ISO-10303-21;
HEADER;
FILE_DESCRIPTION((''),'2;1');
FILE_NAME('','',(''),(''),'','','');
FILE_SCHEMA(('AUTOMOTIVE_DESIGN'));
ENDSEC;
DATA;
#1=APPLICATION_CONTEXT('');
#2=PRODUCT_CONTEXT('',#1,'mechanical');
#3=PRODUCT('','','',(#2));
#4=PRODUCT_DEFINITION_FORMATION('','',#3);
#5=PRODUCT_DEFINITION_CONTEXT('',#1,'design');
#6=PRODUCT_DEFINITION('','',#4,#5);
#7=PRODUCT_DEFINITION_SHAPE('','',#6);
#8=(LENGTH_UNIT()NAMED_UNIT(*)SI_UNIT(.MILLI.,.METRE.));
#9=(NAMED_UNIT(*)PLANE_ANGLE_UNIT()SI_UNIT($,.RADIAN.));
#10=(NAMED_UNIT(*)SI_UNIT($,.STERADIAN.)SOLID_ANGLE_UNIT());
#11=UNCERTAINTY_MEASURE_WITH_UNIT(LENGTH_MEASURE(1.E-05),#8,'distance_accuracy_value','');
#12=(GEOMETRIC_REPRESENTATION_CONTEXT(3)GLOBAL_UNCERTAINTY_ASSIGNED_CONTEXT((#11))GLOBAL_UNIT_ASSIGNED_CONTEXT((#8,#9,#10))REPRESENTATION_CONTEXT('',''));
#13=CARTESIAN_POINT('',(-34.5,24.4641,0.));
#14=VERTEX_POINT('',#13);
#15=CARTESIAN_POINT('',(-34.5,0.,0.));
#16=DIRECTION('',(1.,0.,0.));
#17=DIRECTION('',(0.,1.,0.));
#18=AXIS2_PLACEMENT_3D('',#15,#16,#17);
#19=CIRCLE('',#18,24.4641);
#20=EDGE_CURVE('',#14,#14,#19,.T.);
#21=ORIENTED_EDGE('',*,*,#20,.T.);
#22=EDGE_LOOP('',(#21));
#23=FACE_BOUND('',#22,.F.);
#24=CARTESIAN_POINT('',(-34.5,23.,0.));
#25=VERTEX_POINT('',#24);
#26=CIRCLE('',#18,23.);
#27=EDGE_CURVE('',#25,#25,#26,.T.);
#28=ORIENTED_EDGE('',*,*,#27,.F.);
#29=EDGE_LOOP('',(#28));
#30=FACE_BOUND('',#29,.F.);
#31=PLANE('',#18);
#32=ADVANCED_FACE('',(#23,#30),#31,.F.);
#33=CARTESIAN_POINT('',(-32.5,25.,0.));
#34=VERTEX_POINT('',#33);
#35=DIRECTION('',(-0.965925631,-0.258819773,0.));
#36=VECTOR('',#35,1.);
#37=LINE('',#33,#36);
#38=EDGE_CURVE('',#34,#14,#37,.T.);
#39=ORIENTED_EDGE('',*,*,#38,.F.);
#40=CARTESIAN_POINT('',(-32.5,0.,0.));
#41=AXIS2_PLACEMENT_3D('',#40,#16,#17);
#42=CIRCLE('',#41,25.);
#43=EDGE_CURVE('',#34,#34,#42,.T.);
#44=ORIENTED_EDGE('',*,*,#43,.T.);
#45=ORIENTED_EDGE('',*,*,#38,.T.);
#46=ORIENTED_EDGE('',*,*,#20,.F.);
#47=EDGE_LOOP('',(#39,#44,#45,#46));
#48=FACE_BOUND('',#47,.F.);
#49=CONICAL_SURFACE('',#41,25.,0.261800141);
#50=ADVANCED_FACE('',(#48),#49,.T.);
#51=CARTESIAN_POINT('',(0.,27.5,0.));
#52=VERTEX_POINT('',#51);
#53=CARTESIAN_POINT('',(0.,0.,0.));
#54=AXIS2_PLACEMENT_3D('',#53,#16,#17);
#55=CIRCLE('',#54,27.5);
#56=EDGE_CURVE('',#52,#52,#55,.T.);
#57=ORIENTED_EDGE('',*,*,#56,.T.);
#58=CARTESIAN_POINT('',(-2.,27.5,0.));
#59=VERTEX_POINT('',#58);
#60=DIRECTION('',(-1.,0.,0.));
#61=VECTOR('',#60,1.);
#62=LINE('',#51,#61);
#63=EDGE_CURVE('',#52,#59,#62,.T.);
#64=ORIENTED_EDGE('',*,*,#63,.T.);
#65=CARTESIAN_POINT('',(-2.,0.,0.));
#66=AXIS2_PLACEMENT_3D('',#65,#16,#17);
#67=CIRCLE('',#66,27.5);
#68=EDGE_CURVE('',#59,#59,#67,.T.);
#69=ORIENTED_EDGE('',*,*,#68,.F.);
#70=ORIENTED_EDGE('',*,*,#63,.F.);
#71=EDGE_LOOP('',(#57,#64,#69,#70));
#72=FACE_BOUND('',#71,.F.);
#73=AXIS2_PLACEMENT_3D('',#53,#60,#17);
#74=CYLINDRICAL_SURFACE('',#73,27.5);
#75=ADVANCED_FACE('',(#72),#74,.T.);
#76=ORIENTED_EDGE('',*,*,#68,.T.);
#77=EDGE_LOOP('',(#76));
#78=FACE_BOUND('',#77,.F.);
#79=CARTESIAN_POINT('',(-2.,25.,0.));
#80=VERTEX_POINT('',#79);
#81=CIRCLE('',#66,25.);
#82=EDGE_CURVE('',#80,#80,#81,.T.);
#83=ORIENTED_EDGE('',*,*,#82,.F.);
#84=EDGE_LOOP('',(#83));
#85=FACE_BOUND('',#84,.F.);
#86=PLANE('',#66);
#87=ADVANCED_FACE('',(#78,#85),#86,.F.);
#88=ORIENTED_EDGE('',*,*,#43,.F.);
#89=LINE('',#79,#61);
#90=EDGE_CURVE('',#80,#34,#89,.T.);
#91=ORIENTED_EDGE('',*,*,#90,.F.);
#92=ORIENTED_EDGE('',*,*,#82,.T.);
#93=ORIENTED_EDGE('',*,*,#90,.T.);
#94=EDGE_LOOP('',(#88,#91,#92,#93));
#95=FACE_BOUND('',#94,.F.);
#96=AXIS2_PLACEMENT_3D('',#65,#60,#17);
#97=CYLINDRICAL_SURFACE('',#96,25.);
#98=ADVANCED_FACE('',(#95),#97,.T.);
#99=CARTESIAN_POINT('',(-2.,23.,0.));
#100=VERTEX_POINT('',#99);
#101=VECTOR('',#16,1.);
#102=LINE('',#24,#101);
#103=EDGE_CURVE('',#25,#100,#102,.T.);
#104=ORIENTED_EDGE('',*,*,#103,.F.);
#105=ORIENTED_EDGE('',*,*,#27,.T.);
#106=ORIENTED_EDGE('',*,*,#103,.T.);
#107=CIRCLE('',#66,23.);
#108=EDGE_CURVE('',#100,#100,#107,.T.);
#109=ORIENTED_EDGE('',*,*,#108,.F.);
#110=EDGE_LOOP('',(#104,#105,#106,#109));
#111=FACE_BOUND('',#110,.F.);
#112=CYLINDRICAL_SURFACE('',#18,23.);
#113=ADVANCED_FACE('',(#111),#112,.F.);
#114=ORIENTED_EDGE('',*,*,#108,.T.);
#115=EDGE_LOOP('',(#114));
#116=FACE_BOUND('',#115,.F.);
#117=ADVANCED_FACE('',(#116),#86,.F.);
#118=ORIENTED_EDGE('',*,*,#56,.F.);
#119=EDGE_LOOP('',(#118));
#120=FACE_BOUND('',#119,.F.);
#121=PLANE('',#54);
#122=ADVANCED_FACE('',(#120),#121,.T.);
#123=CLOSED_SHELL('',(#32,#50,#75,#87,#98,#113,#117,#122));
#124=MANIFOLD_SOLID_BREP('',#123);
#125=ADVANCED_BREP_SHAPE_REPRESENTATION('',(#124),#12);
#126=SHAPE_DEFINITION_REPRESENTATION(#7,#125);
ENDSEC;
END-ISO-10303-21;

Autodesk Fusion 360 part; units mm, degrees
sketch "Skizze1" plane through (0, 0, 0) normal (0, 0, 1) x (1, 0, 0)
  line L0 (0, 0) -> (0, 27.5)
  line L1 (0, 27.5) -> (-2, 27.5)
  line L2 (-2, 27.5) -> (-2, 25)
  line L3 (-2, 25) -> (-32.5, 25)
  line L4 (-32.5, 25) -> (-34.5, 24.4641)
  line L5 (-34.5, 24.4641) -> (-34.5, 23)
  line L6 (-34.5, 23) -> (-2, 23)
  line L7 (-2, 23) -> (-2, 0)
  line L8 (-2, 0) -> (0, 0)
  dimension "d2" = 27.5
  dimension "d3" = 32.5
  dimension "d4" = 2
  dimension "d5" = 23
  dimension "d6" = 25
  dimension "d7" = 15
  dimension "d8" = 2
revolve "Drehen1" add sketch "Skizze1" angle 360 about axis through (1.75, 0, 0) along (1, 0, 0)
equation "d2 = ( 55 / 2 ) * 1 mm"
equation "d5 = ( 46 / 2 ) * 1 mm"
equation "d6 = ( 50 / 2 ) * 1 mm"
